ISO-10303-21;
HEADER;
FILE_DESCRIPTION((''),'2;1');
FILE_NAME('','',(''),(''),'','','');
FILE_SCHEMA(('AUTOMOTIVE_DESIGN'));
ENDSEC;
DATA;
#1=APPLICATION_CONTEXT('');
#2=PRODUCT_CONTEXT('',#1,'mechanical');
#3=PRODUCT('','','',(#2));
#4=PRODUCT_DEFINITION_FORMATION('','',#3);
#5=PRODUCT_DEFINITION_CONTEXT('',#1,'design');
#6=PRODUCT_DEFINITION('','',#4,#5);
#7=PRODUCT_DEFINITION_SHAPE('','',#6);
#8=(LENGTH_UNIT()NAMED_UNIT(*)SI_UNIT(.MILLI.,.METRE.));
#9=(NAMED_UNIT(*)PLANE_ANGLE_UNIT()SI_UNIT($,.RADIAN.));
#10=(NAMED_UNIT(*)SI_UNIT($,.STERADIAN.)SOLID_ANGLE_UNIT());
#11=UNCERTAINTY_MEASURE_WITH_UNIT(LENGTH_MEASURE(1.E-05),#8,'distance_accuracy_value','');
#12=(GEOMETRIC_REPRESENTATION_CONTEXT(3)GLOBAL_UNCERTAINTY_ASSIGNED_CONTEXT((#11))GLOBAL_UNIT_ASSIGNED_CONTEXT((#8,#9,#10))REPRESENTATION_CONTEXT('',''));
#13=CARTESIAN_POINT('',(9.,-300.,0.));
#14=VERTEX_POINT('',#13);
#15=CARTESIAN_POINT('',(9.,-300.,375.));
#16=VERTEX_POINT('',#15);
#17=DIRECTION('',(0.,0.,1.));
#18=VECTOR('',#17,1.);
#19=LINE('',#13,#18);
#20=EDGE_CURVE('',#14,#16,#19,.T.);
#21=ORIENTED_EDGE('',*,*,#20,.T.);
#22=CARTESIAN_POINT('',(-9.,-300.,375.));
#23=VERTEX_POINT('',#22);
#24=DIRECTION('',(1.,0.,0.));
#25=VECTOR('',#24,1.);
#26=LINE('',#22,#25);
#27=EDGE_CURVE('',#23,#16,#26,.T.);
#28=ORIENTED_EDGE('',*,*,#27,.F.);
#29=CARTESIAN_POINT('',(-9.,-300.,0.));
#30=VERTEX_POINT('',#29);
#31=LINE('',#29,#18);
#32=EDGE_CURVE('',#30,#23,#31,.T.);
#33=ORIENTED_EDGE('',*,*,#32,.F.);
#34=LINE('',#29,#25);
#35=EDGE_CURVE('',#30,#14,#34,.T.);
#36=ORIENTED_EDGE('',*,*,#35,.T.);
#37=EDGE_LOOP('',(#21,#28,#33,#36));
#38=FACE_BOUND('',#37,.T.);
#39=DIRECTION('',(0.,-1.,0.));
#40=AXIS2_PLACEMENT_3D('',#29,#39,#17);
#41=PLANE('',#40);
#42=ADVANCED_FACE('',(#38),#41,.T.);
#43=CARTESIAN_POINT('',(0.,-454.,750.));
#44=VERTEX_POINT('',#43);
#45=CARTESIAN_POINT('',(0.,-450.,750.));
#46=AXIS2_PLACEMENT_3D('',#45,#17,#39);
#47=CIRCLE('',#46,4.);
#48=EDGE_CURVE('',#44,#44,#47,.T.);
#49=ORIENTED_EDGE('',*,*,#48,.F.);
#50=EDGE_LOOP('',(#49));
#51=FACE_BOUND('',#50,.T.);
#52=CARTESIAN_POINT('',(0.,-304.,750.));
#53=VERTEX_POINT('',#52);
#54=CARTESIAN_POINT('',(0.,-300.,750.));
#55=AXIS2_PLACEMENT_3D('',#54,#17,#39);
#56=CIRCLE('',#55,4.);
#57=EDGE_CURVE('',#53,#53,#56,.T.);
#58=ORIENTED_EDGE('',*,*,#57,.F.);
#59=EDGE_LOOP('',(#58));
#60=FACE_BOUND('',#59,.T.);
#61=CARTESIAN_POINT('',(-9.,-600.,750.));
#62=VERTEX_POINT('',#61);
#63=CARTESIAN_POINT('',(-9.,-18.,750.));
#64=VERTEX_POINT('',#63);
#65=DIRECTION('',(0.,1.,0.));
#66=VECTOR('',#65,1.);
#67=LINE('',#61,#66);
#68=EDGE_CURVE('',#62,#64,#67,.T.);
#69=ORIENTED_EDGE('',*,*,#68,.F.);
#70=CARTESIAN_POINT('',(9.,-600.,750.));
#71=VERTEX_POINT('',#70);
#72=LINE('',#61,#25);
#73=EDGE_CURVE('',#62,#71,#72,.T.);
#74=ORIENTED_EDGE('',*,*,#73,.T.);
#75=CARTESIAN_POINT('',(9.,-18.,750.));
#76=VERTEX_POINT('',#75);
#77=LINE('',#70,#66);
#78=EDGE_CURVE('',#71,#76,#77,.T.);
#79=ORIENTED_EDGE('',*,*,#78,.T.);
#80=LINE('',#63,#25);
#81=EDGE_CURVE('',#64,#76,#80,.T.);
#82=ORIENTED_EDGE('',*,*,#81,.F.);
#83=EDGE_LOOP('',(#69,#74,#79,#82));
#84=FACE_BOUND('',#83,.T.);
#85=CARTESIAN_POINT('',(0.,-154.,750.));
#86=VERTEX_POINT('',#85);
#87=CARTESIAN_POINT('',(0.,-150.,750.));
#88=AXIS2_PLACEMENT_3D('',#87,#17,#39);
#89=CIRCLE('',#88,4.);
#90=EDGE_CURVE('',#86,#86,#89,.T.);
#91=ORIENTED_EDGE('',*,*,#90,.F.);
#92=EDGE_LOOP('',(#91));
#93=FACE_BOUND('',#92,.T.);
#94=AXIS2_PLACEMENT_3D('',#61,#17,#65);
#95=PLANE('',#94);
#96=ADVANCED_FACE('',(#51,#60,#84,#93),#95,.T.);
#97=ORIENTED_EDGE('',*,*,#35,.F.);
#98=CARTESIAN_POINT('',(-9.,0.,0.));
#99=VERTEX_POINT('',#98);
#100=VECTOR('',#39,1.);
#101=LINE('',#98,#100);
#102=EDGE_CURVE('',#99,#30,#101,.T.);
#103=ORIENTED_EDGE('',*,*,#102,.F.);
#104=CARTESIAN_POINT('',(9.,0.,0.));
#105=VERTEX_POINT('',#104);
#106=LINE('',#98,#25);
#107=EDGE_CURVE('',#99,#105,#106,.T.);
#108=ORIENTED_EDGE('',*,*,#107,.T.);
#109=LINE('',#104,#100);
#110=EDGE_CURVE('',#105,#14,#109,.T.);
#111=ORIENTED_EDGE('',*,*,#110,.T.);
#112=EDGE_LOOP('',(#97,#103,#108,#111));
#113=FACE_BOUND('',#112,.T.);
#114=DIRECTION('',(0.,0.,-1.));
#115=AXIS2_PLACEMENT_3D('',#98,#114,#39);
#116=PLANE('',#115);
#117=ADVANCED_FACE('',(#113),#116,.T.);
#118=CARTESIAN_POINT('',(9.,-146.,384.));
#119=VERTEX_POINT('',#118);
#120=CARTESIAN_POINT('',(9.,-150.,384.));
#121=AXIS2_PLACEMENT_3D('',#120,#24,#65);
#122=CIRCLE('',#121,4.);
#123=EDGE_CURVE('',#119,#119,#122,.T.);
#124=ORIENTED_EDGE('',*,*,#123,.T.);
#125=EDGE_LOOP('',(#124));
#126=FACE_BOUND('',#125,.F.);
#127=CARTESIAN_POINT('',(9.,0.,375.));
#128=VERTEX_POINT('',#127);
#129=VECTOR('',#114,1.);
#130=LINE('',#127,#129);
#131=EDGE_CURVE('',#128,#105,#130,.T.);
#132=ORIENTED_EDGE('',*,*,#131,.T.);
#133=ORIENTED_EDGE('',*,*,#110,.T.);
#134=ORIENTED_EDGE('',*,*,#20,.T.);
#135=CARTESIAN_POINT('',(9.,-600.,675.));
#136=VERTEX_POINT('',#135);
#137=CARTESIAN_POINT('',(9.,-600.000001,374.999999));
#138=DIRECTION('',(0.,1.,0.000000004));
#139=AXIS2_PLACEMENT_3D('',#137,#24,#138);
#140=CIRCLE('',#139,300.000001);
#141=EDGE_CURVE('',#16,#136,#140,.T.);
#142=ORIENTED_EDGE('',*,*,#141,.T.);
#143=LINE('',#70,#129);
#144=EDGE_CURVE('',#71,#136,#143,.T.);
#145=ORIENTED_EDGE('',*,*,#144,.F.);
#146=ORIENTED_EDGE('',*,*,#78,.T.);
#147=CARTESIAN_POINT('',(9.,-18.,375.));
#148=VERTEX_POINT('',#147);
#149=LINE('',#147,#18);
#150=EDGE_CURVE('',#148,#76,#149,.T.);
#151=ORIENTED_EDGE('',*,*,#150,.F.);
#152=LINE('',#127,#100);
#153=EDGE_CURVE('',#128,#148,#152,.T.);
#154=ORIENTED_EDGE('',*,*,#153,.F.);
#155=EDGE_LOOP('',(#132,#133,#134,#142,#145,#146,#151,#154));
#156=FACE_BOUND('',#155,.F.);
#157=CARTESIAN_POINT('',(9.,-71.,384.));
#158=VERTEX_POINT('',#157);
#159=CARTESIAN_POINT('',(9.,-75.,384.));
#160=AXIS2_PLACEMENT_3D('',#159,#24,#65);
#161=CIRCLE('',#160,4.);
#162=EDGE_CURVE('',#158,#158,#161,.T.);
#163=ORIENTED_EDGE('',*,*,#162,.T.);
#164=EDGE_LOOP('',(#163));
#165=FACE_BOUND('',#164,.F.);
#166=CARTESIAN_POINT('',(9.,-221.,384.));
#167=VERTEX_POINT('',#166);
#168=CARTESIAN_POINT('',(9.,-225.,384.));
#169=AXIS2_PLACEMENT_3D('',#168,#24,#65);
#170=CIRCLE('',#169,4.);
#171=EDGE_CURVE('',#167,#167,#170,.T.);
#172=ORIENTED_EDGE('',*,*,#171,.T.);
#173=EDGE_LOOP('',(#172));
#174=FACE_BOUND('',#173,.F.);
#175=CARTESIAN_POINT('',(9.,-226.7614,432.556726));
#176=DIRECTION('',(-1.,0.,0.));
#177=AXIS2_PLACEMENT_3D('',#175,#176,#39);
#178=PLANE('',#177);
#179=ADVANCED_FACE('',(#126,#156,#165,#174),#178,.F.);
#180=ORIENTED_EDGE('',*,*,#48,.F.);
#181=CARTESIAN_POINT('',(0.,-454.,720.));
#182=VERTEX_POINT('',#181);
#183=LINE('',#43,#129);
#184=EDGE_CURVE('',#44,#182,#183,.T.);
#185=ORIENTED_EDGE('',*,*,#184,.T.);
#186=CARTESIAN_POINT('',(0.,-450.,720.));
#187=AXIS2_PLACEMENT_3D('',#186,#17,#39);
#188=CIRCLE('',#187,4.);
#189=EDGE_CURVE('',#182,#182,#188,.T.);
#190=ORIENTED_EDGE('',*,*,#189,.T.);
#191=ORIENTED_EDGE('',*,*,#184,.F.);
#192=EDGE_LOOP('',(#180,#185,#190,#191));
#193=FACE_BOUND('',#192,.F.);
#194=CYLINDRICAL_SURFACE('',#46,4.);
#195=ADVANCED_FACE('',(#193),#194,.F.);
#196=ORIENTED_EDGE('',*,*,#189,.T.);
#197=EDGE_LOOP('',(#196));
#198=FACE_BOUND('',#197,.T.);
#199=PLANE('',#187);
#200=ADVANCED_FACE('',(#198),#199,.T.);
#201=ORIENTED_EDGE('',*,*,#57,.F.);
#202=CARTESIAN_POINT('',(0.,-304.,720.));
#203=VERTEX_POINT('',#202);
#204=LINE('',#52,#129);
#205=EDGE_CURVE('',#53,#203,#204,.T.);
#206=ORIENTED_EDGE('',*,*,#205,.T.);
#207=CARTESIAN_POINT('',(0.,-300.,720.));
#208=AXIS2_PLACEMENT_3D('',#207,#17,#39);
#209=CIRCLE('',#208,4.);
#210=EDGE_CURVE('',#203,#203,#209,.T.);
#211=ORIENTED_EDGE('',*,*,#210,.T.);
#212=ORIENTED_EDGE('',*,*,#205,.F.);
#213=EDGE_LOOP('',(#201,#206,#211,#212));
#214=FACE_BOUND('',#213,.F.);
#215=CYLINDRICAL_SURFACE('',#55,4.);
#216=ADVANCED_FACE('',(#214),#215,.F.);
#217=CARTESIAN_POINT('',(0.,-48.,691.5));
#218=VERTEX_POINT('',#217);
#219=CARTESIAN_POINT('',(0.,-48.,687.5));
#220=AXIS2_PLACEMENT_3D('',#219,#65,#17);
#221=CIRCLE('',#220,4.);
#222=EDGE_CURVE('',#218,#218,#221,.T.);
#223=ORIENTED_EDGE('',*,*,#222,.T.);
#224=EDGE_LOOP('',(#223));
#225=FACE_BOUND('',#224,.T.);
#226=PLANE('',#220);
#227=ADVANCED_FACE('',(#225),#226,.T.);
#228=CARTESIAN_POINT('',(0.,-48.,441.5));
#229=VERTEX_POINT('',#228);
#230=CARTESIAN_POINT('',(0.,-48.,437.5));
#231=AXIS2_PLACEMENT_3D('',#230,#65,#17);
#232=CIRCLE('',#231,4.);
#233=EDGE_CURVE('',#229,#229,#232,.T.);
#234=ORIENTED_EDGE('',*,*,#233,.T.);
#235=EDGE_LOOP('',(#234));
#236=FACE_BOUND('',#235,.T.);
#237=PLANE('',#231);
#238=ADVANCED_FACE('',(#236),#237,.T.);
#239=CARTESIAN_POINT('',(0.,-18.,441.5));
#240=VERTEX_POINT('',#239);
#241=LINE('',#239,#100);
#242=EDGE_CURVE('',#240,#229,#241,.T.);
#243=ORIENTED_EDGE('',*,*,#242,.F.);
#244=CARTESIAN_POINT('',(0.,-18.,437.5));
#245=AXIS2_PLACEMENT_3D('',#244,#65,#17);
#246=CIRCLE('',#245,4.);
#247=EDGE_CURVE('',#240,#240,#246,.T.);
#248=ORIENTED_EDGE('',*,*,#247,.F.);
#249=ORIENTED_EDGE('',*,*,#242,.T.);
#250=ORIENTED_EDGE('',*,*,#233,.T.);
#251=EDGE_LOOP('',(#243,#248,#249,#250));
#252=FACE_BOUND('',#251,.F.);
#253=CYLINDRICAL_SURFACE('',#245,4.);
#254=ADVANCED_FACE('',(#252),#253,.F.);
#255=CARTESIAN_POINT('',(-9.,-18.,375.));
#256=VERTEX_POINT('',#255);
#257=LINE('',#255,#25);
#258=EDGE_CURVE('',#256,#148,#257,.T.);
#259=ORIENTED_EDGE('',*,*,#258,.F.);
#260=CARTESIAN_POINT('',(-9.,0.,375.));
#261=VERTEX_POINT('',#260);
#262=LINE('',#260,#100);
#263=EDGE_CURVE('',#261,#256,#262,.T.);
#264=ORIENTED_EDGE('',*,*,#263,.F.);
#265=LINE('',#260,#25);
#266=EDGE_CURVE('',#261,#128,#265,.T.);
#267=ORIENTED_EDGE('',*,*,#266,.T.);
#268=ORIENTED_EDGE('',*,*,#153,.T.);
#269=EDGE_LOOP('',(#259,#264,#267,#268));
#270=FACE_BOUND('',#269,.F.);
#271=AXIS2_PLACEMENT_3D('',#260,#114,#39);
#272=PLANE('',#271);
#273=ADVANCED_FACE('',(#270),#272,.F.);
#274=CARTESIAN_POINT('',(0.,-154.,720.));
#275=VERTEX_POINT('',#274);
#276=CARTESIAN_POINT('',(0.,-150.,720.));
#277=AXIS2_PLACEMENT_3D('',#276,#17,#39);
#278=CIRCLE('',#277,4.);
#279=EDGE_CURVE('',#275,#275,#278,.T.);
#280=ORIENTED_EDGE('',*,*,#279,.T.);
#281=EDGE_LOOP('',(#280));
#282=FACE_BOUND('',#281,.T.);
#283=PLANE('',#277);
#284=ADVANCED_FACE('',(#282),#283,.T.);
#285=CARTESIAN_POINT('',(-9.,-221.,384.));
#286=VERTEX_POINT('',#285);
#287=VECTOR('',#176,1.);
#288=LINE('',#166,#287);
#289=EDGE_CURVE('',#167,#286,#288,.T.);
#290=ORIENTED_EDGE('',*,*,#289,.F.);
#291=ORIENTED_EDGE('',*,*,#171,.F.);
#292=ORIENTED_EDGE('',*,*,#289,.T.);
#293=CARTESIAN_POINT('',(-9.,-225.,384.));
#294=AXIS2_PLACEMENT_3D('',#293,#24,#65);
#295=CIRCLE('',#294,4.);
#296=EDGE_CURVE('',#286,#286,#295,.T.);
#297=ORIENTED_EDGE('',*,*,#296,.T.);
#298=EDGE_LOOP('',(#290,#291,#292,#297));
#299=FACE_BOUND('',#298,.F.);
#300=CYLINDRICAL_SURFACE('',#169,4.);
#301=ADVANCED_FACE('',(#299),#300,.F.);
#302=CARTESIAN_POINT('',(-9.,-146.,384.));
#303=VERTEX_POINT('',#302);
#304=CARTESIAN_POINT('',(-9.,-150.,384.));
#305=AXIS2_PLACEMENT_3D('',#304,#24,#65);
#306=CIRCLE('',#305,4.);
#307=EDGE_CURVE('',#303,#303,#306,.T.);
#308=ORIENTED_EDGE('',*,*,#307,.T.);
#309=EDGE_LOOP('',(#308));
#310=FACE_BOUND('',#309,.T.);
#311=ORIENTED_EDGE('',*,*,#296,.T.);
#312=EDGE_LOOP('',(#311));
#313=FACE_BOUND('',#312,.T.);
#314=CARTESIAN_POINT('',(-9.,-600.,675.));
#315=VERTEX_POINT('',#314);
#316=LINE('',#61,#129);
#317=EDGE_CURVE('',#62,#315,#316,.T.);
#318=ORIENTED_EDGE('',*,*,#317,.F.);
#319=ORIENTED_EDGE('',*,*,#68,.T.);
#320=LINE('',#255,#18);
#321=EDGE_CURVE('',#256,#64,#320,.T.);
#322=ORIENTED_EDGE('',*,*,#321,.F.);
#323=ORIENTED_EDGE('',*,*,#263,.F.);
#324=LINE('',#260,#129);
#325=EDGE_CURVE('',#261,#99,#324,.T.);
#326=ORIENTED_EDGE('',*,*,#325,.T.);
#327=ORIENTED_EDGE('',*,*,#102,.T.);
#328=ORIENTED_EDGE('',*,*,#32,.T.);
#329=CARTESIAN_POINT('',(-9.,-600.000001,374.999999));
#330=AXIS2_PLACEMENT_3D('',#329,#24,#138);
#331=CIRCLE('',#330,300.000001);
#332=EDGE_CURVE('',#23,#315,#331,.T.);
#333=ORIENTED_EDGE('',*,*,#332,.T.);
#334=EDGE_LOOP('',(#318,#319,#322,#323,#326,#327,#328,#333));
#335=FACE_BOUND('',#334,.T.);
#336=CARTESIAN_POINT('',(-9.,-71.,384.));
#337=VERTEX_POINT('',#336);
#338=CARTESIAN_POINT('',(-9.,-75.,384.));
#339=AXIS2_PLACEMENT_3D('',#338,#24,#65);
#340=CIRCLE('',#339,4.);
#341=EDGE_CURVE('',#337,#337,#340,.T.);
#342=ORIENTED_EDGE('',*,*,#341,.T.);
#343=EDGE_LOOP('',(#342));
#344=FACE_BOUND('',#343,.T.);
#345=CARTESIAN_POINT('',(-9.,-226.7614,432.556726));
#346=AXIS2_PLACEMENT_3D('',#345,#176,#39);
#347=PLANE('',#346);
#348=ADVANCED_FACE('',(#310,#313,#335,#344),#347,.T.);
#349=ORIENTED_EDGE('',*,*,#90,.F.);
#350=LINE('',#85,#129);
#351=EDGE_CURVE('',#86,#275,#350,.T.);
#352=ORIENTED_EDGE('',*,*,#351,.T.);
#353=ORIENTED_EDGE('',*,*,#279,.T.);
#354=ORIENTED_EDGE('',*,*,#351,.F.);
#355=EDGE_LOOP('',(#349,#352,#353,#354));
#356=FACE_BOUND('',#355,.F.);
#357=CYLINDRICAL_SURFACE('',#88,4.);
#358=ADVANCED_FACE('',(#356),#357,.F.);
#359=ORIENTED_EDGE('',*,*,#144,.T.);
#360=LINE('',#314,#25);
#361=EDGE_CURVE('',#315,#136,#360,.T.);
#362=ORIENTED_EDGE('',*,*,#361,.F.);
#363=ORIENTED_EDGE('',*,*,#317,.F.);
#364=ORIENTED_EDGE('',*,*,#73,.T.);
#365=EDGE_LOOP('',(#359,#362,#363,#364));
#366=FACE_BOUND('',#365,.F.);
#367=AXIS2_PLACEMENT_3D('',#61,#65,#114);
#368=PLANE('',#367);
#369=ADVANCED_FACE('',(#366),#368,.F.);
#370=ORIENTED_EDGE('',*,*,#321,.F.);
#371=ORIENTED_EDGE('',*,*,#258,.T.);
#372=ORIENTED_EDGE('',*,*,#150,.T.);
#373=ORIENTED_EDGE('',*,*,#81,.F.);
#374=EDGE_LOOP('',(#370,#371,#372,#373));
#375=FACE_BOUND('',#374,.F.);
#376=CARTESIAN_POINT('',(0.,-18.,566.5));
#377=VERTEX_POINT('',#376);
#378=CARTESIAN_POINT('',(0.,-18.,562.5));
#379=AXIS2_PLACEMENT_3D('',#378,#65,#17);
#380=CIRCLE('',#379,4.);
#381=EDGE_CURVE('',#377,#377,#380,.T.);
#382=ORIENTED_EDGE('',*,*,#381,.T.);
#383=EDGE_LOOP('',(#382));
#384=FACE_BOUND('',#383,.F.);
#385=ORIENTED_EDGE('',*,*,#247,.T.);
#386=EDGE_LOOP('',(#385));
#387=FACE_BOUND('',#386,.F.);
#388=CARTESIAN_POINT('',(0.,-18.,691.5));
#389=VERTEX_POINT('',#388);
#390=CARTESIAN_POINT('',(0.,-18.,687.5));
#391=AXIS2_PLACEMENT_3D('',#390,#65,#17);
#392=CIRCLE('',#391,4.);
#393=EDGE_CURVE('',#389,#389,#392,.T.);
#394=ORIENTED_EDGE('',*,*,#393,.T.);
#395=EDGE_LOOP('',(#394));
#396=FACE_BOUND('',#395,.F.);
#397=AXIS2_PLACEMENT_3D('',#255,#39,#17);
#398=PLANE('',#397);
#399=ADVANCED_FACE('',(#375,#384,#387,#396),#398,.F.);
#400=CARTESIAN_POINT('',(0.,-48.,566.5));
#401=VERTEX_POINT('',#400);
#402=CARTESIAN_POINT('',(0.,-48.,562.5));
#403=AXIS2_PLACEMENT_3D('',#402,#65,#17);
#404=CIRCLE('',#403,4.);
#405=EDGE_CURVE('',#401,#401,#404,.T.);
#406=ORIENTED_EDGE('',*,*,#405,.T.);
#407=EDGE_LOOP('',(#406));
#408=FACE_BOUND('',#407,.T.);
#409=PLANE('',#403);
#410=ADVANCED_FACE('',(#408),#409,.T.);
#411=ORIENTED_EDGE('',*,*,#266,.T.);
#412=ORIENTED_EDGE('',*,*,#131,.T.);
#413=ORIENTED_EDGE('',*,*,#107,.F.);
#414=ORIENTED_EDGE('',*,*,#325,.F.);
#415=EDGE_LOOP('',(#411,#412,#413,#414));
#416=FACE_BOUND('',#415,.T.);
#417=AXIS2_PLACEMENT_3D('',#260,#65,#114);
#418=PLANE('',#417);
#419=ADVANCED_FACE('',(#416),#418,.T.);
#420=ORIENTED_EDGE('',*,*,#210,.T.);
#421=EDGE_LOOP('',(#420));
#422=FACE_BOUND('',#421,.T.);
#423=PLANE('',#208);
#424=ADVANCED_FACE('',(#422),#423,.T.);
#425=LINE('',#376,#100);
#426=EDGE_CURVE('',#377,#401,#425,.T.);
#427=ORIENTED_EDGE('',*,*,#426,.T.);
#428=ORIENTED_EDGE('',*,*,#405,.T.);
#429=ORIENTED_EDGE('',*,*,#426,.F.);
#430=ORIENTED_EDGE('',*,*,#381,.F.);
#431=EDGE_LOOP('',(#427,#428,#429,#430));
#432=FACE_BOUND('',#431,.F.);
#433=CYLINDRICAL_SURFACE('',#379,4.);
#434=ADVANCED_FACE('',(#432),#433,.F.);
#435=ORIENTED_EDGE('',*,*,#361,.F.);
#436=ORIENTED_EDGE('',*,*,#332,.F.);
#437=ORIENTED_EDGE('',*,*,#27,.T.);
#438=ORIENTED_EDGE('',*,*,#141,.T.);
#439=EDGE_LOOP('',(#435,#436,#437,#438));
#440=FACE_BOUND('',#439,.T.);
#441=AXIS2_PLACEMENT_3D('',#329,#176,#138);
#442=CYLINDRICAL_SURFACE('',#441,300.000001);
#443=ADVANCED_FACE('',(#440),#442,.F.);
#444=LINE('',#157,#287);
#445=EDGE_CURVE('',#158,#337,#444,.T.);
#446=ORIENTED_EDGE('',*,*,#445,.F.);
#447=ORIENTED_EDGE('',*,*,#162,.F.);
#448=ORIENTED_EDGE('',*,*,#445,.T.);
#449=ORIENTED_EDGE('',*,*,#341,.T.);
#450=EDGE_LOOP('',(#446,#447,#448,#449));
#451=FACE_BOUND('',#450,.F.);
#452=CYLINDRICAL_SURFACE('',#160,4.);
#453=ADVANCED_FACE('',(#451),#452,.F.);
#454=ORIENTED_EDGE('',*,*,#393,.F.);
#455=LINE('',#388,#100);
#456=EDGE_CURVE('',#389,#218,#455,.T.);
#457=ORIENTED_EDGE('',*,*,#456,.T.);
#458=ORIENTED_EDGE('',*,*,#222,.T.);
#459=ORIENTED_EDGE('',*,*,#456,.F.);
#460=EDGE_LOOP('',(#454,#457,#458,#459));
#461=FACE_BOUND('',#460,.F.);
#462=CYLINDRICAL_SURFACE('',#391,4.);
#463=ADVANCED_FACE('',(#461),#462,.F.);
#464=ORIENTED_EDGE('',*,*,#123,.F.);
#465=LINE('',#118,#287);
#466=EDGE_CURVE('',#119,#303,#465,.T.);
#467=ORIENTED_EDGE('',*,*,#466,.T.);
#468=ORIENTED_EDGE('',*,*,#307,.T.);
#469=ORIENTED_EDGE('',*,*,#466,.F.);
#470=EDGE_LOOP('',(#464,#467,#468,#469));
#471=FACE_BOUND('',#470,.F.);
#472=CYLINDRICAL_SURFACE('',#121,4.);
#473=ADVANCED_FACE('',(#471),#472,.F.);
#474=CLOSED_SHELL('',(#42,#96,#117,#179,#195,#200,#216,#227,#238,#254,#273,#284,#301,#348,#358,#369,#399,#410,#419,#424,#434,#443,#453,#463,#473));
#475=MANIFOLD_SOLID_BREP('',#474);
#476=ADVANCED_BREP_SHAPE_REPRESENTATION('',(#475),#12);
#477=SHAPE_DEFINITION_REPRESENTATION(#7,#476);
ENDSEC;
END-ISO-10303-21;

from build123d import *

# Parameters (mm, degrees)
PAD024_DEPTH    = 18
SKETCH070_R     = 4
POCKET021_DEPTH = 30
SKETCH071_R     = 4
POCKET022_DEPTH = 30
SKETCH074_R     = 4
POCKET025_DEPTH = 18.001


with BuildPart() as part:
    # Sketch066 → Pad024 (new body)
    with BuildSketch(Plane.YZ):
        with BuildLine():
            Line((-600, 750), (-18, 750))
            Line((-18, 375), (-18, 750))
            Line((0, 375), (-18, 375))
            Line((0, 375), (0, 0))
            Line((0, 0), (-300, 0))
            Line((-300, 0), (-300, 375))
            ThreePointArc((-300, 375), (-387.867966, 587.132034), (-600, 675))
            Line((-600, 750), (-600, 675))
        make_face()
    extrude(amount=PAD024_DEPTH)

    # Sketch070 (on Face6 of Pad024) → Pocket021 (cut)
    with BuildSketch(Plane(origin=(0, 0, 750), x_dir=(0, -1, 0), z_dir=(0, 0, 1))):
        with Locations((300, 9)):
            Circle(SKETCH070_R)
        with Locations((450, 9)):
            Circle(SKETCH070_R)
        with Locations((150, 9)):
            Circle(SKETCH070_R)
    extrude(amount=-POCKET021_DEPTH, mode=Mode.SUBTRACT)

    # Sketch071 (on Face6 of Pocket021) → Pocket022 (cut)
    with BuildSketch(Plane.ZX.offset(-18)):
        with Locations((437.5, 9)):
            Circle(SKETCH071_R)
        with Locations((562.5, 9)):
            Circle(SKETCH071_R)
        with Locations((687.5, 9)):
            Circle(SKETCH071_R)
    extrude(amount=-POCKET022_DEPTH, mode=Mode.SUBTRACT)

    # Sketch074 (on Face5 of Pocket022) → Pocket025 (cut, through all)
    with BuildSketch(Plane.YZ.offset(18)):
        with Locations((-225, 384)):
            Circle(SKETCH074_R)
        with Locations((-150, 384)):
            Circle(SKETCH074_R)
        with Locations((-75, 384)):
            Circle(SKETCH074_R)
    extrude(amount=-POCKET025_DEPTH, mode=Mode.SUBTRACT)


with BuildPart() as part_1:
    # Body018001001001010001003001003001001021 placement: moved
    add(part.part.moved(Location((-9, 0, 0))))


solid = part_1.part
